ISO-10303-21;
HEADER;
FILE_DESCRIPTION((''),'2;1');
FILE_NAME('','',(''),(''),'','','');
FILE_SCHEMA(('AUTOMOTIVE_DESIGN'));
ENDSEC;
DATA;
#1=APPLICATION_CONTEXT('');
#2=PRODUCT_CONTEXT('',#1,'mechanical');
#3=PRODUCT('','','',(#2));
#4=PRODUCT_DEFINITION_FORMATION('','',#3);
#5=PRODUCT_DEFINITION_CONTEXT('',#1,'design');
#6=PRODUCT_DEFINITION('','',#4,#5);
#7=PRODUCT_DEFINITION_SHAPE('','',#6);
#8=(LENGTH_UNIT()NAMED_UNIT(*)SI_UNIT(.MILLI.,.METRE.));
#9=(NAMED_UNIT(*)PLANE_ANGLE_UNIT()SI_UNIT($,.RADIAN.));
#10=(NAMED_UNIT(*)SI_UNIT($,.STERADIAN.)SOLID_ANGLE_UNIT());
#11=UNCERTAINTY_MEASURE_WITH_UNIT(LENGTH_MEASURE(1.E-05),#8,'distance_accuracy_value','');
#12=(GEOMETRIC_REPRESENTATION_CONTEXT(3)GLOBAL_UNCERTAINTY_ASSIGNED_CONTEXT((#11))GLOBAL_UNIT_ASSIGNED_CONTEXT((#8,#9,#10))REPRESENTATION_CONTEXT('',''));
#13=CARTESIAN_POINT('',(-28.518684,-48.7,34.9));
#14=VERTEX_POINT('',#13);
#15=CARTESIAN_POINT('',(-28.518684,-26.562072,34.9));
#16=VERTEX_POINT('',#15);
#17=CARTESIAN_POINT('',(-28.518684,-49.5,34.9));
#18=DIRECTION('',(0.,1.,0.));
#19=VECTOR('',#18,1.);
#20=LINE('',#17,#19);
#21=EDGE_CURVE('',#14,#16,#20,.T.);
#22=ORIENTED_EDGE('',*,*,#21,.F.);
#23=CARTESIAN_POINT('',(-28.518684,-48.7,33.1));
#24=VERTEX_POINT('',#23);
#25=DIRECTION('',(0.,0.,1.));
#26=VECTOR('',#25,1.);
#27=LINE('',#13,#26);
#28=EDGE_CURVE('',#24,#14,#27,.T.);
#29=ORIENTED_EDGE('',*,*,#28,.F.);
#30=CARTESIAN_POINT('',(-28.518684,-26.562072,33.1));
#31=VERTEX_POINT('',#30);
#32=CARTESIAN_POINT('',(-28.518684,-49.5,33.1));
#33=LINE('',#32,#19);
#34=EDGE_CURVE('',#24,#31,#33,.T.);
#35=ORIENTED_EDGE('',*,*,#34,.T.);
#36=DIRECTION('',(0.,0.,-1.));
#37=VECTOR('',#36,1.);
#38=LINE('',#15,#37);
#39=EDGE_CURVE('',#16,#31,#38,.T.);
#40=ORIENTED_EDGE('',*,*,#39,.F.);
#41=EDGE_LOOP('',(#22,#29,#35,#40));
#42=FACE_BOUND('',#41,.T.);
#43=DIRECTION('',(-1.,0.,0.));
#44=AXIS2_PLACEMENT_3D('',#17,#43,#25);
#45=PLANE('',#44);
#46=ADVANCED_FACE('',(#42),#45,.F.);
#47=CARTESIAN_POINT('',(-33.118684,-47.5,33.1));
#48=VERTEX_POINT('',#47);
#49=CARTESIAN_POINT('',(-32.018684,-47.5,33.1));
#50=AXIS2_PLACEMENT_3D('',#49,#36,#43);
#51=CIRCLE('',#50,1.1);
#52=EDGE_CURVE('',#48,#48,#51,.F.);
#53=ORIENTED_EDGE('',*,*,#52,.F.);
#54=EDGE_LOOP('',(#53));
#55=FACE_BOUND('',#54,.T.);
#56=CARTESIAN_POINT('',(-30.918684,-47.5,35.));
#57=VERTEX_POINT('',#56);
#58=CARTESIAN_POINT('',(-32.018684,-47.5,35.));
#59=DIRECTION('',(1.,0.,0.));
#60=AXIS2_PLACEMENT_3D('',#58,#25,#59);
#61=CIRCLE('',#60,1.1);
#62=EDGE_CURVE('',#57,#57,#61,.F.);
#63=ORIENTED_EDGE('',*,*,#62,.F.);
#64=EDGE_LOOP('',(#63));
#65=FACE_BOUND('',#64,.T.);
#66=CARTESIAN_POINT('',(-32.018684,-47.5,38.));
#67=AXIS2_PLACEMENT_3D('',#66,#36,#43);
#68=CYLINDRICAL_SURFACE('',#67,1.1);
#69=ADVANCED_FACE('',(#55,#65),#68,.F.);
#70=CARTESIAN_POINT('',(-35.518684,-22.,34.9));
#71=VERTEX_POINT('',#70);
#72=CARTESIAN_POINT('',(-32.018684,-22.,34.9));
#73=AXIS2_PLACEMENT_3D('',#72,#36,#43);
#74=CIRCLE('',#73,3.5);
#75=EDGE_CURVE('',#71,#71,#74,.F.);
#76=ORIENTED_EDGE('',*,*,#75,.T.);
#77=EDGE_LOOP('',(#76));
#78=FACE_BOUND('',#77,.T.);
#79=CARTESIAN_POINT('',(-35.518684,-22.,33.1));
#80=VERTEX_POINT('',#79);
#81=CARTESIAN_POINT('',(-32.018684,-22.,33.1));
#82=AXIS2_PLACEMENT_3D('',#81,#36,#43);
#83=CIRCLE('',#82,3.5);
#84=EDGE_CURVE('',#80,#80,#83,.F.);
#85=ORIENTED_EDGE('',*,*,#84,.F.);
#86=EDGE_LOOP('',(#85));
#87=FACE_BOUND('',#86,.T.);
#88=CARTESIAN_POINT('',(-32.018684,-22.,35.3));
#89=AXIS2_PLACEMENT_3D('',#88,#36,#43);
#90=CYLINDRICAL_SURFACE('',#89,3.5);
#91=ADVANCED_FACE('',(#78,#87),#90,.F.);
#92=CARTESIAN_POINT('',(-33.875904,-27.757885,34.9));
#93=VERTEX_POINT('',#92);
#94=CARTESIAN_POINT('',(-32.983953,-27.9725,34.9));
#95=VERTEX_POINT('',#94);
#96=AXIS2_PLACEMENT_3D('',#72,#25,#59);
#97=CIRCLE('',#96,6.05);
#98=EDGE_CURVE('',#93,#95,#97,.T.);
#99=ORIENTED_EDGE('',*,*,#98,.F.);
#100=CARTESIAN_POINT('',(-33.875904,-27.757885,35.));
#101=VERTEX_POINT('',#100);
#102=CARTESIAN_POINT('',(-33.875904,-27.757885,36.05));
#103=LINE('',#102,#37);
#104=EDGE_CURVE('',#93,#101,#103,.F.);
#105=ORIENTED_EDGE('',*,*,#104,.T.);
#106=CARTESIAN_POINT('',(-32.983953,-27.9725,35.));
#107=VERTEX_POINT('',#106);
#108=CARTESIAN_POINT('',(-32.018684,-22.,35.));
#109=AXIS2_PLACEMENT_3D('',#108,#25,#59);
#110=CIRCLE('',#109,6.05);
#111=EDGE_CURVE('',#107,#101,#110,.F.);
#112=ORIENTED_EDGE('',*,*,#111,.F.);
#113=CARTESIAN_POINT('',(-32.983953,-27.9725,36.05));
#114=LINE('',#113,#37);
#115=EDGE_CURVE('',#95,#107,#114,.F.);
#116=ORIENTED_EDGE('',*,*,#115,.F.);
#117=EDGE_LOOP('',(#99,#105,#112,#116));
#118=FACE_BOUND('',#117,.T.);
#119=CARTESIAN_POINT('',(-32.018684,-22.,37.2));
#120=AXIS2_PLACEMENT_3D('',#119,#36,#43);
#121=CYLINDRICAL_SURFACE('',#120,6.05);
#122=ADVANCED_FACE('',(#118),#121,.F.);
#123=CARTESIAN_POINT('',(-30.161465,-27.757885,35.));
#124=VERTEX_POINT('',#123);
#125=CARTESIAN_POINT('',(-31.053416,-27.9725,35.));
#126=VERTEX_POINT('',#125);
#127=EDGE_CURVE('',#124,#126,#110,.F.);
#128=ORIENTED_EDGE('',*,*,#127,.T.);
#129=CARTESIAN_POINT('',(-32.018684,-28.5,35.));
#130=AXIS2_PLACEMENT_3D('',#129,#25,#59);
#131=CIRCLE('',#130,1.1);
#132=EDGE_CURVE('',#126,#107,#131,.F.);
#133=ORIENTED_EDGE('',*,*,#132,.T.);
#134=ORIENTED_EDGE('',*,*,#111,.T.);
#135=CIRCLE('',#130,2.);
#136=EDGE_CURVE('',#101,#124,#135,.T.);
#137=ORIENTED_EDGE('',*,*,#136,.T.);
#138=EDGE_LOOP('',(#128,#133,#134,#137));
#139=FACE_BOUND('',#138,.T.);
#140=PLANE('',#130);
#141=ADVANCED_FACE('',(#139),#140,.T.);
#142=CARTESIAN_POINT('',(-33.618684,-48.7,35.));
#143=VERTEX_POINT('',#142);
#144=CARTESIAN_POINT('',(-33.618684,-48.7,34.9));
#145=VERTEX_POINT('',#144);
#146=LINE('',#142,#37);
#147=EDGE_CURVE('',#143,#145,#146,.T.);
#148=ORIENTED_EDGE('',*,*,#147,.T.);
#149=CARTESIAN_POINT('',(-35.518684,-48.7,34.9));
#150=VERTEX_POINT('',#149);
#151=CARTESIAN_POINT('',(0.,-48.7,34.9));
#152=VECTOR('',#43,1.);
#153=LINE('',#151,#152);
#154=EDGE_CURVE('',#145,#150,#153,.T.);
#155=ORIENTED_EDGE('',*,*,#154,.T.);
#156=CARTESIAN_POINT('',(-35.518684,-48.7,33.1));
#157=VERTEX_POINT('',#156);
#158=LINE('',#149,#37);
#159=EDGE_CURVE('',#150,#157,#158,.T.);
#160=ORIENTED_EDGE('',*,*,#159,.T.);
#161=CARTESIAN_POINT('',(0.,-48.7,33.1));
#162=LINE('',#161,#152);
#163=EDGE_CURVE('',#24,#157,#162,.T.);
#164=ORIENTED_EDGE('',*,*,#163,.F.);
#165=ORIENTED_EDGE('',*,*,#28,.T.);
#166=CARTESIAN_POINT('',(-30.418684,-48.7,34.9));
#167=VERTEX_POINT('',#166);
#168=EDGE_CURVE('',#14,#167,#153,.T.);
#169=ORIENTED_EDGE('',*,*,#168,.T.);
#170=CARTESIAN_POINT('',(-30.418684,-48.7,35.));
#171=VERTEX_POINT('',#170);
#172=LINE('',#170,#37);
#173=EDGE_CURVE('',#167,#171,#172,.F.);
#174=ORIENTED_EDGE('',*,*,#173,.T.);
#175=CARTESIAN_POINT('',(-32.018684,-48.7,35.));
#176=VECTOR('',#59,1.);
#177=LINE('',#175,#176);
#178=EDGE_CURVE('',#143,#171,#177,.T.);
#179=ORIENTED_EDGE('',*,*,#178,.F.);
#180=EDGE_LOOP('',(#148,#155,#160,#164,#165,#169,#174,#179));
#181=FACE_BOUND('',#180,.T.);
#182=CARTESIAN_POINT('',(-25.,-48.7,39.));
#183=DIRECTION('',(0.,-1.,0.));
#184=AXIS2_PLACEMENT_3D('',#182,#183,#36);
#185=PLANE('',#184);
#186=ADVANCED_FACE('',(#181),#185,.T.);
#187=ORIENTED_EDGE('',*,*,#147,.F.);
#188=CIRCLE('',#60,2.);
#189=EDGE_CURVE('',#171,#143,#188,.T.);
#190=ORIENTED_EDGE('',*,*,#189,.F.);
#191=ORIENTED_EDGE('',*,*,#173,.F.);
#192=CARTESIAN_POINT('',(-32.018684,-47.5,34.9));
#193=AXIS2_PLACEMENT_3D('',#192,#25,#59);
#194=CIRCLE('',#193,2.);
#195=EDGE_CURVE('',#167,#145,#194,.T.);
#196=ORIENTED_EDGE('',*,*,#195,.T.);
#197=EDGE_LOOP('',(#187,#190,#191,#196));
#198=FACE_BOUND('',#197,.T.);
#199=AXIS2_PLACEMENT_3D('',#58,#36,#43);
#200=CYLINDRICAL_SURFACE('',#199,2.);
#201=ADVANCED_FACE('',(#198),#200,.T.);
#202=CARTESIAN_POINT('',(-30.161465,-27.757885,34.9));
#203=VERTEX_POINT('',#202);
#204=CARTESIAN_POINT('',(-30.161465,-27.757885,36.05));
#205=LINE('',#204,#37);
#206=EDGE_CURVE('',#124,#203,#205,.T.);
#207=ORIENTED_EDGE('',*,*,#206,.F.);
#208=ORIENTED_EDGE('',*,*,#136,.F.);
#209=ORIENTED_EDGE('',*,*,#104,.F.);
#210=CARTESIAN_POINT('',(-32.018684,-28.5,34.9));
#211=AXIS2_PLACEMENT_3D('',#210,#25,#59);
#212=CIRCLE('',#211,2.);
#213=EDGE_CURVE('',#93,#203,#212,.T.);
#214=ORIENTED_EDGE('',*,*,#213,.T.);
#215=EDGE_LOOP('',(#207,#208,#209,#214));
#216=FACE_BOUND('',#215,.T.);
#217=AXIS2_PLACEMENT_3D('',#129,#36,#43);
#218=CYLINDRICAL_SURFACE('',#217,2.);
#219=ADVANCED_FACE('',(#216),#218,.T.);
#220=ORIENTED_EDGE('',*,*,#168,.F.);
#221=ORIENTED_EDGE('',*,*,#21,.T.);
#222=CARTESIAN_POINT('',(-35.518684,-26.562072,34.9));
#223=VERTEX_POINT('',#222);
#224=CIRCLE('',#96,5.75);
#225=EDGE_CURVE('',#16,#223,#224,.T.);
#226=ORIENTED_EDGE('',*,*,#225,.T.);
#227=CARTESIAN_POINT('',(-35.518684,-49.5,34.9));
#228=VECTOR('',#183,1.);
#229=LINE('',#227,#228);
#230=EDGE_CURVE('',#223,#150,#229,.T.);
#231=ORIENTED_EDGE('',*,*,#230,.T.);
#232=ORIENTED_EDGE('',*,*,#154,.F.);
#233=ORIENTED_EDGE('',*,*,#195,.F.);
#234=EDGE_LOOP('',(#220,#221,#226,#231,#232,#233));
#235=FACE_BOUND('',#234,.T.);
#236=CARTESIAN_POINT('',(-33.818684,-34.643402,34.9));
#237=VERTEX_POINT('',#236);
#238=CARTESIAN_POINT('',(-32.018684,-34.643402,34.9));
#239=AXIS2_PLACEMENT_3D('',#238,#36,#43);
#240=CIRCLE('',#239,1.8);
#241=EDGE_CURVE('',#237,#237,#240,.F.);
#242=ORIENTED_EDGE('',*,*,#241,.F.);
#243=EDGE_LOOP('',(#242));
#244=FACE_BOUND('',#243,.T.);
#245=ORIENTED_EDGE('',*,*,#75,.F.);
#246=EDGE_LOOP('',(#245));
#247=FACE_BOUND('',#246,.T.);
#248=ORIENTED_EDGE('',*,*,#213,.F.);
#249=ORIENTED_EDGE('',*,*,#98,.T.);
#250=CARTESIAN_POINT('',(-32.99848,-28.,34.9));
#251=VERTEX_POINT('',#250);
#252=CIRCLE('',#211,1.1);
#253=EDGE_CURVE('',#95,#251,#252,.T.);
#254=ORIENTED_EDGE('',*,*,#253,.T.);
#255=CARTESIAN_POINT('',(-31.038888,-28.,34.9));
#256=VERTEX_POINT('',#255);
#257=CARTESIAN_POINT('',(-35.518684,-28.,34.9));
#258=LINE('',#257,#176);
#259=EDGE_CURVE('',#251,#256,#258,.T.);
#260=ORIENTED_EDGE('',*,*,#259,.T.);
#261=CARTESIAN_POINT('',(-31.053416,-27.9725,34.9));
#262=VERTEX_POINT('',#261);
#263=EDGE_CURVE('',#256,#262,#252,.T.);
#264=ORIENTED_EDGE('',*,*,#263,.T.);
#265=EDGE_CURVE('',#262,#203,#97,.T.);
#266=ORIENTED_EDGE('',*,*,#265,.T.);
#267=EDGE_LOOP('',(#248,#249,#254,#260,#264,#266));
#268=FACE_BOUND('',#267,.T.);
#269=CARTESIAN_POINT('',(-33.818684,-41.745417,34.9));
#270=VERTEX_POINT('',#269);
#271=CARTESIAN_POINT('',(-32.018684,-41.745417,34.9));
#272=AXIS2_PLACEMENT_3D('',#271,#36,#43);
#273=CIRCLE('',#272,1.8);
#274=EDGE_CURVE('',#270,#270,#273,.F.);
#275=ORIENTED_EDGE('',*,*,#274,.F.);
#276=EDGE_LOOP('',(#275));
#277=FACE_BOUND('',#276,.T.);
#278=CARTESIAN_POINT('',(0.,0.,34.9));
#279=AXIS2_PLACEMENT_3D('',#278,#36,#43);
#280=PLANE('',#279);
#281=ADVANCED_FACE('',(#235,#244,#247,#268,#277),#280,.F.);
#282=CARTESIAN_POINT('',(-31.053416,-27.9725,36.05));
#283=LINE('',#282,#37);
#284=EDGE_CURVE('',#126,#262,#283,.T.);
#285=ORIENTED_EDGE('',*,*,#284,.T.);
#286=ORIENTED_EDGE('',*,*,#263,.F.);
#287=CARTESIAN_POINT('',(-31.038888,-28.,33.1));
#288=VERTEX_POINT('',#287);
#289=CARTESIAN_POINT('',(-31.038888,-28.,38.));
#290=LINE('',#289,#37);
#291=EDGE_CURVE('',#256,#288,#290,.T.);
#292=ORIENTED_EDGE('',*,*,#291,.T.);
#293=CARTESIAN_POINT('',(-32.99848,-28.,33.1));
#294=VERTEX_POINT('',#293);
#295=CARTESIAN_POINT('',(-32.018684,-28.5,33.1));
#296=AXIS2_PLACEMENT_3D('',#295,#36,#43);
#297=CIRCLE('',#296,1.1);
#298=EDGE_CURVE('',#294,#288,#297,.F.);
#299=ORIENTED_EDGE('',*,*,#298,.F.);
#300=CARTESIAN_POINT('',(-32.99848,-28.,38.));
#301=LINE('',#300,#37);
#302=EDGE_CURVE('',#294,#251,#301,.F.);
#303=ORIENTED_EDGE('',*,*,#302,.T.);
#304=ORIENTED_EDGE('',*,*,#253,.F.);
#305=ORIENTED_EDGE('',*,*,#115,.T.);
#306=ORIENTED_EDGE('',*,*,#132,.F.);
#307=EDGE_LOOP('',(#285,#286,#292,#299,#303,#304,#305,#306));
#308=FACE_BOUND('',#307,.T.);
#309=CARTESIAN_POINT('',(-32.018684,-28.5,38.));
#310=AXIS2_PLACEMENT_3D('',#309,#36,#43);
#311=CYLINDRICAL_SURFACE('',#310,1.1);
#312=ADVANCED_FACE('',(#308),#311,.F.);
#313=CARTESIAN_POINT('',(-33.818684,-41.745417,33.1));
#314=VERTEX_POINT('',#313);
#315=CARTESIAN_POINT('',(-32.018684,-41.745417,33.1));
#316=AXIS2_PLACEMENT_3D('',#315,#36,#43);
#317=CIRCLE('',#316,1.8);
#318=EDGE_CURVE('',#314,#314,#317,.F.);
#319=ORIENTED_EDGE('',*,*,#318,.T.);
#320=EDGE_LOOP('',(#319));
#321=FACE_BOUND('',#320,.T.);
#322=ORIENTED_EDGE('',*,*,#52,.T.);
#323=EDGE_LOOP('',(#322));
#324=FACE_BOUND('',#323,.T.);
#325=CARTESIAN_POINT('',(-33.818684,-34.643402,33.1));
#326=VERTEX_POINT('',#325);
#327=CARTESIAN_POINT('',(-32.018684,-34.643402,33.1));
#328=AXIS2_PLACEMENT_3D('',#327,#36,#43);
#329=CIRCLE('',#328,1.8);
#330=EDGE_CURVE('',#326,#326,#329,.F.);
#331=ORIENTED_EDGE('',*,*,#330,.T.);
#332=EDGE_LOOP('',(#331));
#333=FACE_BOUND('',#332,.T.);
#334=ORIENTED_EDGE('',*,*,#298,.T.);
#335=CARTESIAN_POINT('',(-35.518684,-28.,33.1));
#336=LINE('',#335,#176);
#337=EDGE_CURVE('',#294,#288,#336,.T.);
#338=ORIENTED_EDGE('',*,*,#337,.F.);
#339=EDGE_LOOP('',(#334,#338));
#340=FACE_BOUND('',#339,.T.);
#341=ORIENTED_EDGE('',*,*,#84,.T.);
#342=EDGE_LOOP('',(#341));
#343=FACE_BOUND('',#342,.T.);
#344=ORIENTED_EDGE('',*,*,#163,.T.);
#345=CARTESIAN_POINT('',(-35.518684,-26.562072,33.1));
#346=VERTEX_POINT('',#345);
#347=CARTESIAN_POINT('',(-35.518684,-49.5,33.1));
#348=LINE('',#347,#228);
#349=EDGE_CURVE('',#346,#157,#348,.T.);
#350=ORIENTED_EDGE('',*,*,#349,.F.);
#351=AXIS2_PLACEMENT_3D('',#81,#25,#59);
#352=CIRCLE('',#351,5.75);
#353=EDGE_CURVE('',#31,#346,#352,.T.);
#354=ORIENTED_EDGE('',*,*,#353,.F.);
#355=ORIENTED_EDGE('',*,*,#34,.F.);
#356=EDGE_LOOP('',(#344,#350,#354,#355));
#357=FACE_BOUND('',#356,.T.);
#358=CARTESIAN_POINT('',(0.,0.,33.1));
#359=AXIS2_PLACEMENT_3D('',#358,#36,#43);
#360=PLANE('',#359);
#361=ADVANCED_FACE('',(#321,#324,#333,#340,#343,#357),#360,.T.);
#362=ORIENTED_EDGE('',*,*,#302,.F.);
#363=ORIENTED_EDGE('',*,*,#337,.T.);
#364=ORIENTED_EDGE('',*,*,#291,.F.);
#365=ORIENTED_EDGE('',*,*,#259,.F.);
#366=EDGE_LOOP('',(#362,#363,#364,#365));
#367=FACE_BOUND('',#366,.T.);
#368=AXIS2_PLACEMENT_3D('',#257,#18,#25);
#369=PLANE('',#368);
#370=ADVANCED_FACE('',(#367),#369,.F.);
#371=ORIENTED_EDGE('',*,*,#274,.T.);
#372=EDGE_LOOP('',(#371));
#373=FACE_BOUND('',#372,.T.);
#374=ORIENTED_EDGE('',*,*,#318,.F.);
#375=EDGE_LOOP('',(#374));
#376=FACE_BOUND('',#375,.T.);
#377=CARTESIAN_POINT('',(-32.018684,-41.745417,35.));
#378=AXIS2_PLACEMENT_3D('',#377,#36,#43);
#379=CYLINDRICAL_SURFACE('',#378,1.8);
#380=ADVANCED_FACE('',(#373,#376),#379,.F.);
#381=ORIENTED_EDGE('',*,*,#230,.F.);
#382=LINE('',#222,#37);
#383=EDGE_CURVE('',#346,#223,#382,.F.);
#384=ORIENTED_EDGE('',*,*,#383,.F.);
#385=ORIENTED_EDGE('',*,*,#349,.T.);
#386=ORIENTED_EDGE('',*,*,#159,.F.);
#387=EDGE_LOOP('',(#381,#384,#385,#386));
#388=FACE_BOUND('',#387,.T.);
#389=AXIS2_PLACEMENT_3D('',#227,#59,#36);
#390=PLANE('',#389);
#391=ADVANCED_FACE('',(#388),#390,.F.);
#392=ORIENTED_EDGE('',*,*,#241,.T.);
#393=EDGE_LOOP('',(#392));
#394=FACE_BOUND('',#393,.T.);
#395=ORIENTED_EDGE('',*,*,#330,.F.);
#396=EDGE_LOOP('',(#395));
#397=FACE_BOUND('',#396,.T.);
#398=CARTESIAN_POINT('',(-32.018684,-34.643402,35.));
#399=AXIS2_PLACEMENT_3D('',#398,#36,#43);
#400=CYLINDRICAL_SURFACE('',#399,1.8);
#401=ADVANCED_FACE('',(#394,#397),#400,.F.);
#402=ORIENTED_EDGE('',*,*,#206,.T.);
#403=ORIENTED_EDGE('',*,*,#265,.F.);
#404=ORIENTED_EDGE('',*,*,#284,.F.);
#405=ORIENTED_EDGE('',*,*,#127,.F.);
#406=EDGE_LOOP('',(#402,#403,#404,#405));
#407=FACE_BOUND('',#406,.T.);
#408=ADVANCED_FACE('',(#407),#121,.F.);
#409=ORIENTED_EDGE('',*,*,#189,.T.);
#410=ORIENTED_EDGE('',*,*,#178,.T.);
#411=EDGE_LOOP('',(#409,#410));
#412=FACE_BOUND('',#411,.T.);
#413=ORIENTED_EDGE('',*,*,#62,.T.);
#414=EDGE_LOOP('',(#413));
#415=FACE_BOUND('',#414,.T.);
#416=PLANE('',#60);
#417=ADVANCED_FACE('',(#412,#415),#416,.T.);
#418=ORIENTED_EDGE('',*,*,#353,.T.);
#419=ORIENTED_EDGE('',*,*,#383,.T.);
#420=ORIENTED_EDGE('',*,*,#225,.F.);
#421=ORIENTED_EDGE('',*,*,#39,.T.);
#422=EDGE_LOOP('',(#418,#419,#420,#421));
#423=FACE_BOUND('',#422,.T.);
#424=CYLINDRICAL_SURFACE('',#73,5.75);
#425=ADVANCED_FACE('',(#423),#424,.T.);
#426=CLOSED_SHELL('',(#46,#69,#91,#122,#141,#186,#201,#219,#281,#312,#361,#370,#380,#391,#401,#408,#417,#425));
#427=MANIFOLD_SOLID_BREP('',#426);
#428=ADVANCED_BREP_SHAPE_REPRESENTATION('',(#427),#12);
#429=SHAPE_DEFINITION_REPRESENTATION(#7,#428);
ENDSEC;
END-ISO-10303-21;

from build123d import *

# Parameters (mm, degrees)
RETAINER_PLATE_START                       = 33.1
SKETCH1_W                                  = 7
SKETCH1_H                                  = 23
RETAINER_PLATE_DEPTH                       = 1.8
RETAINER_MOUNTING_SPACERS_START            = 34.9
SKETCH2_R                                  = 2
RETAINER_MOUNTING_SPACERS_DEPTH            = 0.1
RETAINER_CLEARANCE_HOLES_START             = 32
SKETCH3_R                                  = 1.7
SKETCH3_R_2                                = 1.1
RETAINER_CLEARANCE_HOLES_DEPTH             = 6
CLEAR_END_WALL_START                       = 33
SKETCH4_W                                  = 15
SKETCH4_H                                  = 6.3
CLEAR_END_WALL_DEPTH                       = 6
THUMB_MOUNT_EXTENSION_START                = 33.1
SKETCH5_W                                  = 7
SKETCH5_H                                  = 6
THUMB_MOUNT_EXTENSION_DEPTH                = 1.8
THUMB_MOUNT_PAD_START                      = 33.1
SKETCH6_R                                  = 5.75
THUMB_MOUNT_PAD_DEPTH                      = 1.8
THUMB_CLEARANCE_D7_START                   = 32.8
SKETCH7_R                                  = 3.5
THUMB_CLEARANCE_D7_DEPTH                   = 2.5
CLEAR_LEGACY_SPACER_FROM_THUMB_BOSS_START  = 34.9
SKETCH8_R                                  = 6.05
CLEAR_LEGACY_SPACER_FROM_THUMB_BOSS_DEPTH  = 2.3
FREE_SLIDING_BUTTON_LOWER_GUIDE_D3P6_START = 33
SKETCH9_R                                  = 1.8
FREE_SLIDING_BUTTON_LOWER_GUIDE_D3P6_DEPTH = 2
CUT_EXTRUDE2_START                         = 33
SKETCH10_R                                 = 1.8
CUT_EXTRUDE2_DEPTH                         = 2


with BuildPart() as part:
    # Sketch1 → Retainer_plate (new body)
    with BuildSketch(Plane.XY.offset(RETAINER_PLATE_START)):
        with Locations((-32.018684277, -38)):
            Rectangle(SKETCH1_W, SKETCH1_H)
    extrude(amount=RETAINER_PLATE_DEPTH)

    # Sketch2 → Retainer_mounting_spacers (add)
    with BuildSketch(Plane.XY.offset(RETAINER_MOUNTING_SPACERS_START)):
        with Locations(Location((-32.018684277, -47.5, 0), (0, 0, 270))):
            Circle(SKETCH2_R)
        with Locations(Location((-32.018684277, -28.5, 0), (0, 0, 90))):
            Circle(SKETCH2_R)
    extrude(amount=RETAINER_MOUNTING_SPACERS_DEPTH)

    # Sketch3 → Retainer_clearance_holes (cut)
    with BuildSketch(Plane.XY.offset(RETAINER_CLEARANCE_HOLES_START)):
        with Locations(Location((-32.018684277, -41.745416557, 0), (0, 0, 180))):
            Circle(SKETCH3_R)
        with Locations(Location((-32.018684277, -34.643402341, 0), (0, 0, 180))):
            Circle(SKETCH3_R)
        with Locations(Location((-32.018684277, -47.5, 0), (0, 0, 180))):
            Circle(SKETCH3_R_2)
        with Locations(Location((-32.018684277, -28.5, 0), (0, 0, 180))):
            Circle(SKETCH3_R_2)
    extrude(amount=RETAINER_CLEARANCE_HOLES_DEPTH, mode=Mode.SUBTRACT)

    # Sketch4 → Clear_end_wall (cut)
    with BuildSketch(Plane.XY.offset(CLEAR_END_WALL_START)):
        with Locations((-32.5, -51.85)):
            Rectangle(SKETCH4_W, SKETCH4_H)
    extrude(amount=CLEAR_END_WALL_DEPTH, mode=Mode.SUBTRACT)

    # Sketch5 → Thumb_mount_extension (add)
    with BuildSketch(Plane.XY.offset(THUMB_MOUNT_EXTENSION_START)):
        with Locations((-32.018684277, -25)):
            Rectangle(SKETCH5_W, SKETCH5_H)
    extrude(amount=THUMB_MOUNT_EXTENSION_DEPTH)

    # Sketch6 → Thumb_mount_pad (add)
    with BuildSketch(Plane.XY.offset(THUMB_MOUNT_PAD_START)):
        with Locations((-32.018684277, -22)):
            Circle(SKETCH6_R)
    extrude(amount=THUMB_MOUNT_PAD_DEPTH)

    # Sketch7 → Thumb_clearance_D7 (cut)
    with BuildSketch(Plane.XY.offset(THUMB_CLEARANCE_D7_START)):
        with Locations(Location((-32.018684277, -22, 0), (0, 0, 180))):
            Circle(SKETCH7_R)
    extrude(amount=THUMB_CLEARANCE_D7_DEPTH, mode=Mode.SUBTRACT)

    # Sketch8 → Clear_legacy_spacer_from_thumb_boss (cut)
    with BuildSketch(Plane.XY.offset(CLEAR_LEGACY_SPACER_FROM_THUMB_BOSS_START)):
        with Locations((-32.018684277, -22)):
            Circle(SKETCH8_R)
    extrude(amount=CLEAR_LEGACY_SPACER_FROM_THUMB_BOSS_DEPTH, mode=Mode.SUBTRACT)

    # Sketch9 → Free_sliding_button_lower_guide_D3p6 (cut)
    with BuildSketch(Plane.XY.offset(FREE_SLIDING_BUTTON_LOWER_GUIDE_D3P6_START)):
        with Locations(Location((-32.018684277, -41.745416557, 0), (0, 0, 180))):
            Circle(SKETCH9_R)
    extrude(amount=FREE_SLIDING_BUTTON_LOWER_GUIDE_D3P6_DEPTH, mode=Mode.SUBTRACT)

    # Sketch10 → Cut-Extrude2 (cut)
    with BuildSketch(Plane.XY.offset(CUT_EXTRUDE2_START)):
        with Locations(Location((-32.018684277, -34.643402341, 0), (0, 0, 180))):
            Circle(SKETCH10_R)
    extrude(amount=CUT_EXTRUDE2_DEPTH, mode=Mode.SUBTRACT)


solid = part.part
